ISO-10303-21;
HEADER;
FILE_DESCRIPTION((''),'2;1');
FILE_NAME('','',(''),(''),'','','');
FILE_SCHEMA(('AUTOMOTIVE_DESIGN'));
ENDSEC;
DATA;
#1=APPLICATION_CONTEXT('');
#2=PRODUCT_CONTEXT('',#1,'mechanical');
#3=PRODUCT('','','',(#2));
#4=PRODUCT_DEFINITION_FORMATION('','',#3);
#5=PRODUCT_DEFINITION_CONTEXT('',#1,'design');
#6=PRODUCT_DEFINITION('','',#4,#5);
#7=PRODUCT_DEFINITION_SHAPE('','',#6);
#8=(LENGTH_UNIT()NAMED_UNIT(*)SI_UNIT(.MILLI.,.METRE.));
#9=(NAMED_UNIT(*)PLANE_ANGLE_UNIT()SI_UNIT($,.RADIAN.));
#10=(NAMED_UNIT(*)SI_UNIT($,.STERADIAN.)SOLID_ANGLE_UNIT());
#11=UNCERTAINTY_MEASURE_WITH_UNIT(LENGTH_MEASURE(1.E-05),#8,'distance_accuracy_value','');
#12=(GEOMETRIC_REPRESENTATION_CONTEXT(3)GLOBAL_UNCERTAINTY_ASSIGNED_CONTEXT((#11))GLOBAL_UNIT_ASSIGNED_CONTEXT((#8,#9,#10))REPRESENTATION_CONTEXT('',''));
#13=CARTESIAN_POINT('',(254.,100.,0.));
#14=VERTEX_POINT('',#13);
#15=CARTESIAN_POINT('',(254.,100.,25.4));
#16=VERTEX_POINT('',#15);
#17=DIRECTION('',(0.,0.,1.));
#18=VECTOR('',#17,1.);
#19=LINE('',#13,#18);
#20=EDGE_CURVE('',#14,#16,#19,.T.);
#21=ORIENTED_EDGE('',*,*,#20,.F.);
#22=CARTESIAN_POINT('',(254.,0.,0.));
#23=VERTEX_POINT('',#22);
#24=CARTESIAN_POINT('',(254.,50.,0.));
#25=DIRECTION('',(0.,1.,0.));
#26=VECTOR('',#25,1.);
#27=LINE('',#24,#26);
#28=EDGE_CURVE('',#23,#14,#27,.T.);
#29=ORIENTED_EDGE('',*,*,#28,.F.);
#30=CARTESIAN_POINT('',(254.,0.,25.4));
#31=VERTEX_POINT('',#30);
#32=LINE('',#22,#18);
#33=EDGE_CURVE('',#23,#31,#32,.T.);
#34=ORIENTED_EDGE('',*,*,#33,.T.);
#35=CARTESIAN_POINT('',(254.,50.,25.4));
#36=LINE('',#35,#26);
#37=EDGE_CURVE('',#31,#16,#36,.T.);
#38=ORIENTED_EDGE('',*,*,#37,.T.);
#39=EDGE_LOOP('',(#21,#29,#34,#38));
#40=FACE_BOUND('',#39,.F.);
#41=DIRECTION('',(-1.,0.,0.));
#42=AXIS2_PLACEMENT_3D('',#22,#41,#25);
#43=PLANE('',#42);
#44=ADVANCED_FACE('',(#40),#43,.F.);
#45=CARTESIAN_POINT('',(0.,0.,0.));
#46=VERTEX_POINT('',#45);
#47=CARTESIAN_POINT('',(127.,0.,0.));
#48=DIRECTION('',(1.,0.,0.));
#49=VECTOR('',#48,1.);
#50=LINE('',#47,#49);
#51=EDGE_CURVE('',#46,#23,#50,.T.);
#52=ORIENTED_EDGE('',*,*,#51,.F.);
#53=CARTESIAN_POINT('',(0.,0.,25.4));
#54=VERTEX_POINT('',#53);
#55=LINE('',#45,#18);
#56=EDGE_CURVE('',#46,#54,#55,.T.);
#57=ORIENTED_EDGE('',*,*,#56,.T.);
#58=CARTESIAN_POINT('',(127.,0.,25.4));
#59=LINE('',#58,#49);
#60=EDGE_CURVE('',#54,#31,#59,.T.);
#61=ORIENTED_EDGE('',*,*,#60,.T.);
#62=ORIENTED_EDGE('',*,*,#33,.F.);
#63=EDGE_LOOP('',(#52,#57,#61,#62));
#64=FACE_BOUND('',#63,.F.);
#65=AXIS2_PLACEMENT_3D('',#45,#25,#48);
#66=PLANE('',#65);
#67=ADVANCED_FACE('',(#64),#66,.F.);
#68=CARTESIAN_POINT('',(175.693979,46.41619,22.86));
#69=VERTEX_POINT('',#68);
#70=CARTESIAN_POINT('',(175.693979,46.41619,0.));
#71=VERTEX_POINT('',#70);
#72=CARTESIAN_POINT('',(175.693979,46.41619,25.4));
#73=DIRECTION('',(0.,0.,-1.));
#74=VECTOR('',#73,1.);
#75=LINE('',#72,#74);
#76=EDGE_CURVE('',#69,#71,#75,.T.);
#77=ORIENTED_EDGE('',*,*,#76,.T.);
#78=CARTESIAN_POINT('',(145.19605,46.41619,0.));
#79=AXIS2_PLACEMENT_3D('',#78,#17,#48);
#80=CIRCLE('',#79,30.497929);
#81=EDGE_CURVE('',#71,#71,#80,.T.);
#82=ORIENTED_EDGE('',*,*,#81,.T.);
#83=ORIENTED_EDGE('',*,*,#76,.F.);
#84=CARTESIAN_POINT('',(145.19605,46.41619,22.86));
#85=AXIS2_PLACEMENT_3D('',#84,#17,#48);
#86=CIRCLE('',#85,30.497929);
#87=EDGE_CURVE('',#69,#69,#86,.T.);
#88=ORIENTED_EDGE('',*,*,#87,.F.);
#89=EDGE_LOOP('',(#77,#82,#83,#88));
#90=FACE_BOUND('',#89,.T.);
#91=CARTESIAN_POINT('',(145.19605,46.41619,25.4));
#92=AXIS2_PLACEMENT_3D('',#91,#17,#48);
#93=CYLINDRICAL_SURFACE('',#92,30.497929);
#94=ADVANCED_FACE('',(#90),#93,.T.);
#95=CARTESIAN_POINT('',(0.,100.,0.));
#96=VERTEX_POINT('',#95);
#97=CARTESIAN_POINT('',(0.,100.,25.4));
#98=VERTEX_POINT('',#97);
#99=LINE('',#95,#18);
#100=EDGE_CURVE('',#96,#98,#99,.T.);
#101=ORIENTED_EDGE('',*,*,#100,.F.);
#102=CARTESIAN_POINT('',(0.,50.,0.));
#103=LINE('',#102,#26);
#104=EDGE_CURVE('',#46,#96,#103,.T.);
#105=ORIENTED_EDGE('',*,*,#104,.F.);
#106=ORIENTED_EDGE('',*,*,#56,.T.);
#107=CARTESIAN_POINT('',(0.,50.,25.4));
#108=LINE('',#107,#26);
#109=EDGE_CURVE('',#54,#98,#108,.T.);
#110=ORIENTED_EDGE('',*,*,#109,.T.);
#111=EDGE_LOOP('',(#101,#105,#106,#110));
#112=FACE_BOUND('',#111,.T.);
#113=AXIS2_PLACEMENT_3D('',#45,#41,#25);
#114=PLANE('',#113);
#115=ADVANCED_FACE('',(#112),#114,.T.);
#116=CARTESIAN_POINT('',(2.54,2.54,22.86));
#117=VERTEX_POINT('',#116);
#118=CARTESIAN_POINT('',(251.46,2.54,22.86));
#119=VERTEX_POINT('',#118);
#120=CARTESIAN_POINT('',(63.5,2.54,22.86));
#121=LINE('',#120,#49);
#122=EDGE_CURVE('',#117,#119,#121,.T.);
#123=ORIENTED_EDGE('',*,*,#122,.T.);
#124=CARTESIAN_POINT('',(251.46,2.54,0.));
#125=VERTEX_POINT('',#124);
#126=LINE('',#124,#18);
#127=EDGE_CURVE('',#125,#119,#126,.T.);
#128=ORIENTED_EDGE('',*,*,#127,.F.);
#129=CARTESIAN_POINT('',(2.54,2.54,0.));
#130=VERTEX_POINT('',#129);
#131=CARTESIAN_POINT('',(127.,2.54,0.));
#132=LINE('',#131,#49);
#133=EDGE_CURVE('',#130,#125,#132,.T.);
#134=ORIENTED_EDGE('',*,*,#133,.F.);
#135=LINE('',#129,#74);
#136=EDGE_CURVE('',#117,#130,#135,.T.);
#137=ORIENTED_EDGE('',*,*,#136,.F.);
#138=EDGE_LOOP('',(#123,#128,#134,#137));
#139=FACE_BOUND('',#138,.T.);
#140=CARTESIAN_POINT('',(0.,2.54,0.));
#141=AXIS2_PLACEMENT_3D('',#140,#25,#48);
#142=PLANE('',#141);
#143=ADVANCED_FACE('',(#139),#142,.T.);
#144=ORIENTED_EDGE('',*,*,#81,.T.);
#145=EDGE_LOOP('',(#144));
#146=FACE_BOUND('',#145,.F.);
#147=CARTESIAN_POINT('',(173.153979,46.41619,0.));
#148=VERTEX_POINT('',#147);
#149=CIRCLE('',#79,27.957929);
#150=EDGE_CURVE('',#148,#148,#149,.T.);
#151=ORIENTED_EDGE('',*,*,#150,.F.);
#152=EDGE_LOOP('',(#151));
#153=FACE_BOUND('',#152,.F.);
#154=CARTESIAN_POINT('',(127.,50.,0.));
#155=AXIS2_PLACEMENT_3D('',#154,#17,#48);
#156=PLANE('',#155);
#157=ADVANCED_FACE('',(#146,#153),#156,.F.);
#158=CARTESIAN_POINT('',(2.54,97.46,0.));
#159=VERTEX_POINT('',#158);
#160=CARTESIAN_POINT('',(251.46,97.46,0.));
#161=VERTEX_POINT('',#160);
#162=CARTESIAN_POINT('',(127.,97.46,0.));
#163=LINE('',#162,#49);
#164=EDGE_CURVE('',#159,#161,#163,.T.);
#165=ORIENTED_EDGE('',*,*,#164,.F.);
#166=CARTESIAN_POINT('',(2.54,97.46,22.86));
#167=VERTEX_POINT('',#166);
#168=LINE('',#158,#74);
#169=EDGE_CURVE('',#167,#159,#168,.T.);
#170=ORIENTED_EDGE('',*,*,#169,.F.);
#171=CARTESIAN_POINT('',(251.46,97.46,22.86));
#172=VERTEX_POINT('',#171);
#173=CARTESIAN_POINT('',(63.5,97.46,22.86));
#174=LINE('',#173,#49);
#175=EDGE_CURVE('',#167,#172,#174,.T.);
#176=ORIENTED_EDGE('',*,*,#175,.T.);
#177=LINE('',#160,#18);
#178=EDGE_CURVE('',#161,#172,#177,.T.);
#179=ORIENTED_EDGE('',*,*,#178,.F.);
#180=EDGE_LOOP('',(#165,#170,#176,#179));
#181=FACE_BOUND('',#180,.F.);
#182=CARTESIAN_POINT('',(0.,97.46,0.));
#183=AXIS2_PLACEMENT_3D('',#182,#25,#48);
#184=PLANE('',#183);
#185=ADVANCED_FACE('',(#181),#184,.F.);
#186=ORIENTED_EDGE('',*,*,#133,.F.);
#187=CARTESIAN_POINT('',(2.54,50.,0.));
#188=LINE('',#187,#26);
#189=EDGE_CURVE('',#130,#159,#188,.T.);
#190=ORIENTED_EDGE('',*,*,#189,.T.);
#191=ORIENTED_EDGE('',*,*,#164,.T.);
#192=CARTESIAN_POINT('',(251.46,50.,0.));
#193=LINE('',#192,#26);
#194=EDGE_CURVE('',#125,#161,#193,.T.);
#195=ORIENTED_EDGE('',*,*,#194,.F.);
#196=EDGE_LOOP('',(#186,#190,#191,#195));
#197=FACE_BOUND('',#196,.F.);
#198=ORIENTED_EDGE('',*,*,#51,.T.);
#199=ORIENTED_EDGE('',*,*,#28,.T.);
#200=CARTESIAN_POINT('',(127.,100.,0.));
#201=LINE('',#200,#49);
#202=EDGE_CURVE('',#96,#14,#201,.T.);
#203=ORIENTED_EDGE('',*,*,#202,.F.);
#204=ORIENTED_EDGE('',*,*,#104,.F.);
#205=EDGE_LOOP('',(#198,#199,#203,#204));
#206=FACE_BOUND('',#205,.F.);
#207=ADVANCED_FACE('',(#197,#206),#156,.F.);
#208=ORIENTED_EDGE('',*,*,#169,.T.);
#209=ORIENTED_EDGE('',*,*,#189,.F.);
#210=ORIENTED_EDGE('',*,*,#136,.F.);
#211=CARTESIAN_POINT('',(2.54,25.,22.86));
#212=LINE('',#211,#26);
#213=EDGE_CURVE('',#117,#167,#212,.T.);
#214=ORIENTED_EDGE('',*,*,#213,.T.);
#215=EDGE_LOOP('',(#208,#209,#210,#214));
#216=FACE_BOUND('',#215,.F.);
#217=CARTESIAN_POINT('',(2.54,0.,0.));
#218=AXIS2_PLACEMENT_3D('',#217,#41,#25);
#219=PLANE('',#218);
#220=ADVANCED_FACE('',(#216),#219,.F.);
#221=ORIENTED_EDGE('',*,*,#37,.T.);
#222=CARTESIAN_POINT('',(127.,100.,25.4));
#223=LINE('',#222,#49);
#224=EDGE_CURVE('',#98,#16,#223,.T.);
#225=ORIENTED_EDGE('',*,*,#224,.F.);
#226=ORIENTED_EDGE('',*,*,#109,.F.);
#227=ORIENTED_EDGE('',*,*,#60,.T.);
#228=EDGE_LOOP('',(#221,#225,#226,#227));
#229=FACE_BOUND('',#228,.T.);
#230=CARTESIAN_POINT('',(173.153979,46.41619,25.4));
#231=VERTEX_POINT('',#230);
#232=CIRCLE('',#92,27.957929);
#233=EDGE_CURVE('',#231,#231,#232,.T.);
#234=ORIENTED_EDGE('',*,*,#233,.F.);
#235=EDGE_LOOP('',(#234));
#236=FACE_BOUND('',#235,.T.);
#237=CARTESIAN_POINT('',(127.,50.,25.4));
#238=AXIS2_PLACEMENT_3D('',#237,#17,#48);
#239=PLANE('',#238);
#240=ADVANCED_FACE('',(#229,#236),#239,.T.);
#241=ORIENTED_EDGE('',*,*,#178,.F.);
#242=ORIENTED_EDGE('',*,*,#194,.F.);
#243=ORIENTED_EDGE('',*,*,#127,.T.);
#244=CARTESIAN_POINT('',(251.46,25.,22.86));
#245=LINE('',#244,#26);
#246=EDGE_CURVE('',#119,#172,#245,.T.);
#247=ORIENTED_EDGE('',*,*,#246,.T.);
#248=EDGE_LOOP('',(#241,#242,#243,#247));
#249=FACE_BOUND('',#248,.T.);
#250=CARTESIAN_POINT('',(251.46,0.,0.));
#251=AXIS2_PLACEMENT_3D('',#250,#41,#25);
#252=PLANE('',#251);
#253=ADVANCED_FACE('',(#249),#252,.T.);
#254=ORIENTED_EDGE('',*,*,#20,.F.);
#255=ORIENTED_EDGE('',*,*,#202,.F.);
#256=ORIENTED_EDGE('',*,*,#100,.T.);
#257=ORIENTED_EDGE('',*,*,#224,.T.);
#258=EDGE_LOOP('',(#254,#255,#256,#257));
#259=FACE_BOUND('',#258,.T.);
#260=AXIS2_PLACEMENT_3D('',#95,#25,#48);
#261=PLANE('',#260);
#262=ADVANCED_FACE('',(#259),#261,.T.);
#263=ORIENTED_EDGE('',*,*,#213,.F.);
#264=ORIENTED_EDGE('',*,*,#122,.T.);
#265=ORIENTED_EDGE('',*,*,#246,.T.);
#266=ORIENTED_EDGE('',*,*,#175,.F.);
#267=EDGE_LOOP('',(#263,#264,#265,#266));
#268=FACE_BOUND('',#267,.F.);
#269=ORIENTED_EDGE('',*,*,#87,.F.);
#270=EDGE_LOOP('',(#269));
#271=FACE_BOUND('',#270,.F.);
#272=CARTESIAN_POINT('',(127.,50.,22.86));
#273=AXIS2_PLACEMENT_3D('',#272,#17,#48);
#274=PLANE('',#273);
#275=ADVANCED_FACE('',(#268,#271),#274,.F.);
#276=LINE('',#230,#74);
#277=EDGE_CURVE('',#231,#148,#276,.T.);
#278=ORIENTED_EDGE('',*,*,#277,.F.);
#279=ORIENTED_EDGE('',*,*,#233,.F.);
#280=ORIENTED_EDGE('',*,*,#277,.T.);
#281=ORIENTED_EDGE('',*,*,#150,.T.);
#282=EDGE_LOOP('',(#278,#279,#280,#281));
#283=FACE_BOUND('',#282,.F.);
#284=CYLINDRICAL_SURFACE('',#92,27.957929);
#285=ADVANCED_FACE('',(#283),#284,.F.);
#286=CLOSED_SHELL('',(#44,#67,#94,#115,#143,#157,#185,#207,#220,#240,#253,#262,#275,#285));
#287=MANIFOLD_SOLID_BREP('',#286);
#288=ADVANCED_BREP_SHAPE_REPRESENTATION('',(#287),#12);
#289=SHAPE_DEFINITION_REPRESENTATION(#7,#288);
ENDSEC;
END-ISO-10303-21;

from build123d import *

# Parameters (mm, degrees)
F0_W     = 254
F0_H     = 100
F1_DEPTH = 25.4
F2_W     = 254
F2_H     = 100
F2_R     = 27.9579286296
F3_DEPTH = 25.4
F4_T     = -2.54


with BuildPart() as f1:
    # F0 (on Top) → F1 (new body)
    with BuildSketch(Plane.XY):
        with Locations((127, 50)):
            Rectangle(F0_W, F0_H)
    extrude(amount=F1_DEPTH)

    # F2 (on face) → F3 (intersect)
    with BuildSketch(Plane.XY.offset(25.4)):
        with Locations((127, 50)):
            Rectangle(F2_W, F2_H)
        with Locations((145.1960504055, 46.4161895216)):
            Circle(F2_R, mode=Mode.SUBTRACT)
    extrude(amount=-F3_DEPTH, mode=Mode.INTERSECT)

    # F4
    f4_openings = [f1.faces().sort_by_distance(p)[0] for p in [
        (2.729762, 50, 0),
    ]]
    offset(amount=F4_T, openings=f4_openings)


solid = f1.part
